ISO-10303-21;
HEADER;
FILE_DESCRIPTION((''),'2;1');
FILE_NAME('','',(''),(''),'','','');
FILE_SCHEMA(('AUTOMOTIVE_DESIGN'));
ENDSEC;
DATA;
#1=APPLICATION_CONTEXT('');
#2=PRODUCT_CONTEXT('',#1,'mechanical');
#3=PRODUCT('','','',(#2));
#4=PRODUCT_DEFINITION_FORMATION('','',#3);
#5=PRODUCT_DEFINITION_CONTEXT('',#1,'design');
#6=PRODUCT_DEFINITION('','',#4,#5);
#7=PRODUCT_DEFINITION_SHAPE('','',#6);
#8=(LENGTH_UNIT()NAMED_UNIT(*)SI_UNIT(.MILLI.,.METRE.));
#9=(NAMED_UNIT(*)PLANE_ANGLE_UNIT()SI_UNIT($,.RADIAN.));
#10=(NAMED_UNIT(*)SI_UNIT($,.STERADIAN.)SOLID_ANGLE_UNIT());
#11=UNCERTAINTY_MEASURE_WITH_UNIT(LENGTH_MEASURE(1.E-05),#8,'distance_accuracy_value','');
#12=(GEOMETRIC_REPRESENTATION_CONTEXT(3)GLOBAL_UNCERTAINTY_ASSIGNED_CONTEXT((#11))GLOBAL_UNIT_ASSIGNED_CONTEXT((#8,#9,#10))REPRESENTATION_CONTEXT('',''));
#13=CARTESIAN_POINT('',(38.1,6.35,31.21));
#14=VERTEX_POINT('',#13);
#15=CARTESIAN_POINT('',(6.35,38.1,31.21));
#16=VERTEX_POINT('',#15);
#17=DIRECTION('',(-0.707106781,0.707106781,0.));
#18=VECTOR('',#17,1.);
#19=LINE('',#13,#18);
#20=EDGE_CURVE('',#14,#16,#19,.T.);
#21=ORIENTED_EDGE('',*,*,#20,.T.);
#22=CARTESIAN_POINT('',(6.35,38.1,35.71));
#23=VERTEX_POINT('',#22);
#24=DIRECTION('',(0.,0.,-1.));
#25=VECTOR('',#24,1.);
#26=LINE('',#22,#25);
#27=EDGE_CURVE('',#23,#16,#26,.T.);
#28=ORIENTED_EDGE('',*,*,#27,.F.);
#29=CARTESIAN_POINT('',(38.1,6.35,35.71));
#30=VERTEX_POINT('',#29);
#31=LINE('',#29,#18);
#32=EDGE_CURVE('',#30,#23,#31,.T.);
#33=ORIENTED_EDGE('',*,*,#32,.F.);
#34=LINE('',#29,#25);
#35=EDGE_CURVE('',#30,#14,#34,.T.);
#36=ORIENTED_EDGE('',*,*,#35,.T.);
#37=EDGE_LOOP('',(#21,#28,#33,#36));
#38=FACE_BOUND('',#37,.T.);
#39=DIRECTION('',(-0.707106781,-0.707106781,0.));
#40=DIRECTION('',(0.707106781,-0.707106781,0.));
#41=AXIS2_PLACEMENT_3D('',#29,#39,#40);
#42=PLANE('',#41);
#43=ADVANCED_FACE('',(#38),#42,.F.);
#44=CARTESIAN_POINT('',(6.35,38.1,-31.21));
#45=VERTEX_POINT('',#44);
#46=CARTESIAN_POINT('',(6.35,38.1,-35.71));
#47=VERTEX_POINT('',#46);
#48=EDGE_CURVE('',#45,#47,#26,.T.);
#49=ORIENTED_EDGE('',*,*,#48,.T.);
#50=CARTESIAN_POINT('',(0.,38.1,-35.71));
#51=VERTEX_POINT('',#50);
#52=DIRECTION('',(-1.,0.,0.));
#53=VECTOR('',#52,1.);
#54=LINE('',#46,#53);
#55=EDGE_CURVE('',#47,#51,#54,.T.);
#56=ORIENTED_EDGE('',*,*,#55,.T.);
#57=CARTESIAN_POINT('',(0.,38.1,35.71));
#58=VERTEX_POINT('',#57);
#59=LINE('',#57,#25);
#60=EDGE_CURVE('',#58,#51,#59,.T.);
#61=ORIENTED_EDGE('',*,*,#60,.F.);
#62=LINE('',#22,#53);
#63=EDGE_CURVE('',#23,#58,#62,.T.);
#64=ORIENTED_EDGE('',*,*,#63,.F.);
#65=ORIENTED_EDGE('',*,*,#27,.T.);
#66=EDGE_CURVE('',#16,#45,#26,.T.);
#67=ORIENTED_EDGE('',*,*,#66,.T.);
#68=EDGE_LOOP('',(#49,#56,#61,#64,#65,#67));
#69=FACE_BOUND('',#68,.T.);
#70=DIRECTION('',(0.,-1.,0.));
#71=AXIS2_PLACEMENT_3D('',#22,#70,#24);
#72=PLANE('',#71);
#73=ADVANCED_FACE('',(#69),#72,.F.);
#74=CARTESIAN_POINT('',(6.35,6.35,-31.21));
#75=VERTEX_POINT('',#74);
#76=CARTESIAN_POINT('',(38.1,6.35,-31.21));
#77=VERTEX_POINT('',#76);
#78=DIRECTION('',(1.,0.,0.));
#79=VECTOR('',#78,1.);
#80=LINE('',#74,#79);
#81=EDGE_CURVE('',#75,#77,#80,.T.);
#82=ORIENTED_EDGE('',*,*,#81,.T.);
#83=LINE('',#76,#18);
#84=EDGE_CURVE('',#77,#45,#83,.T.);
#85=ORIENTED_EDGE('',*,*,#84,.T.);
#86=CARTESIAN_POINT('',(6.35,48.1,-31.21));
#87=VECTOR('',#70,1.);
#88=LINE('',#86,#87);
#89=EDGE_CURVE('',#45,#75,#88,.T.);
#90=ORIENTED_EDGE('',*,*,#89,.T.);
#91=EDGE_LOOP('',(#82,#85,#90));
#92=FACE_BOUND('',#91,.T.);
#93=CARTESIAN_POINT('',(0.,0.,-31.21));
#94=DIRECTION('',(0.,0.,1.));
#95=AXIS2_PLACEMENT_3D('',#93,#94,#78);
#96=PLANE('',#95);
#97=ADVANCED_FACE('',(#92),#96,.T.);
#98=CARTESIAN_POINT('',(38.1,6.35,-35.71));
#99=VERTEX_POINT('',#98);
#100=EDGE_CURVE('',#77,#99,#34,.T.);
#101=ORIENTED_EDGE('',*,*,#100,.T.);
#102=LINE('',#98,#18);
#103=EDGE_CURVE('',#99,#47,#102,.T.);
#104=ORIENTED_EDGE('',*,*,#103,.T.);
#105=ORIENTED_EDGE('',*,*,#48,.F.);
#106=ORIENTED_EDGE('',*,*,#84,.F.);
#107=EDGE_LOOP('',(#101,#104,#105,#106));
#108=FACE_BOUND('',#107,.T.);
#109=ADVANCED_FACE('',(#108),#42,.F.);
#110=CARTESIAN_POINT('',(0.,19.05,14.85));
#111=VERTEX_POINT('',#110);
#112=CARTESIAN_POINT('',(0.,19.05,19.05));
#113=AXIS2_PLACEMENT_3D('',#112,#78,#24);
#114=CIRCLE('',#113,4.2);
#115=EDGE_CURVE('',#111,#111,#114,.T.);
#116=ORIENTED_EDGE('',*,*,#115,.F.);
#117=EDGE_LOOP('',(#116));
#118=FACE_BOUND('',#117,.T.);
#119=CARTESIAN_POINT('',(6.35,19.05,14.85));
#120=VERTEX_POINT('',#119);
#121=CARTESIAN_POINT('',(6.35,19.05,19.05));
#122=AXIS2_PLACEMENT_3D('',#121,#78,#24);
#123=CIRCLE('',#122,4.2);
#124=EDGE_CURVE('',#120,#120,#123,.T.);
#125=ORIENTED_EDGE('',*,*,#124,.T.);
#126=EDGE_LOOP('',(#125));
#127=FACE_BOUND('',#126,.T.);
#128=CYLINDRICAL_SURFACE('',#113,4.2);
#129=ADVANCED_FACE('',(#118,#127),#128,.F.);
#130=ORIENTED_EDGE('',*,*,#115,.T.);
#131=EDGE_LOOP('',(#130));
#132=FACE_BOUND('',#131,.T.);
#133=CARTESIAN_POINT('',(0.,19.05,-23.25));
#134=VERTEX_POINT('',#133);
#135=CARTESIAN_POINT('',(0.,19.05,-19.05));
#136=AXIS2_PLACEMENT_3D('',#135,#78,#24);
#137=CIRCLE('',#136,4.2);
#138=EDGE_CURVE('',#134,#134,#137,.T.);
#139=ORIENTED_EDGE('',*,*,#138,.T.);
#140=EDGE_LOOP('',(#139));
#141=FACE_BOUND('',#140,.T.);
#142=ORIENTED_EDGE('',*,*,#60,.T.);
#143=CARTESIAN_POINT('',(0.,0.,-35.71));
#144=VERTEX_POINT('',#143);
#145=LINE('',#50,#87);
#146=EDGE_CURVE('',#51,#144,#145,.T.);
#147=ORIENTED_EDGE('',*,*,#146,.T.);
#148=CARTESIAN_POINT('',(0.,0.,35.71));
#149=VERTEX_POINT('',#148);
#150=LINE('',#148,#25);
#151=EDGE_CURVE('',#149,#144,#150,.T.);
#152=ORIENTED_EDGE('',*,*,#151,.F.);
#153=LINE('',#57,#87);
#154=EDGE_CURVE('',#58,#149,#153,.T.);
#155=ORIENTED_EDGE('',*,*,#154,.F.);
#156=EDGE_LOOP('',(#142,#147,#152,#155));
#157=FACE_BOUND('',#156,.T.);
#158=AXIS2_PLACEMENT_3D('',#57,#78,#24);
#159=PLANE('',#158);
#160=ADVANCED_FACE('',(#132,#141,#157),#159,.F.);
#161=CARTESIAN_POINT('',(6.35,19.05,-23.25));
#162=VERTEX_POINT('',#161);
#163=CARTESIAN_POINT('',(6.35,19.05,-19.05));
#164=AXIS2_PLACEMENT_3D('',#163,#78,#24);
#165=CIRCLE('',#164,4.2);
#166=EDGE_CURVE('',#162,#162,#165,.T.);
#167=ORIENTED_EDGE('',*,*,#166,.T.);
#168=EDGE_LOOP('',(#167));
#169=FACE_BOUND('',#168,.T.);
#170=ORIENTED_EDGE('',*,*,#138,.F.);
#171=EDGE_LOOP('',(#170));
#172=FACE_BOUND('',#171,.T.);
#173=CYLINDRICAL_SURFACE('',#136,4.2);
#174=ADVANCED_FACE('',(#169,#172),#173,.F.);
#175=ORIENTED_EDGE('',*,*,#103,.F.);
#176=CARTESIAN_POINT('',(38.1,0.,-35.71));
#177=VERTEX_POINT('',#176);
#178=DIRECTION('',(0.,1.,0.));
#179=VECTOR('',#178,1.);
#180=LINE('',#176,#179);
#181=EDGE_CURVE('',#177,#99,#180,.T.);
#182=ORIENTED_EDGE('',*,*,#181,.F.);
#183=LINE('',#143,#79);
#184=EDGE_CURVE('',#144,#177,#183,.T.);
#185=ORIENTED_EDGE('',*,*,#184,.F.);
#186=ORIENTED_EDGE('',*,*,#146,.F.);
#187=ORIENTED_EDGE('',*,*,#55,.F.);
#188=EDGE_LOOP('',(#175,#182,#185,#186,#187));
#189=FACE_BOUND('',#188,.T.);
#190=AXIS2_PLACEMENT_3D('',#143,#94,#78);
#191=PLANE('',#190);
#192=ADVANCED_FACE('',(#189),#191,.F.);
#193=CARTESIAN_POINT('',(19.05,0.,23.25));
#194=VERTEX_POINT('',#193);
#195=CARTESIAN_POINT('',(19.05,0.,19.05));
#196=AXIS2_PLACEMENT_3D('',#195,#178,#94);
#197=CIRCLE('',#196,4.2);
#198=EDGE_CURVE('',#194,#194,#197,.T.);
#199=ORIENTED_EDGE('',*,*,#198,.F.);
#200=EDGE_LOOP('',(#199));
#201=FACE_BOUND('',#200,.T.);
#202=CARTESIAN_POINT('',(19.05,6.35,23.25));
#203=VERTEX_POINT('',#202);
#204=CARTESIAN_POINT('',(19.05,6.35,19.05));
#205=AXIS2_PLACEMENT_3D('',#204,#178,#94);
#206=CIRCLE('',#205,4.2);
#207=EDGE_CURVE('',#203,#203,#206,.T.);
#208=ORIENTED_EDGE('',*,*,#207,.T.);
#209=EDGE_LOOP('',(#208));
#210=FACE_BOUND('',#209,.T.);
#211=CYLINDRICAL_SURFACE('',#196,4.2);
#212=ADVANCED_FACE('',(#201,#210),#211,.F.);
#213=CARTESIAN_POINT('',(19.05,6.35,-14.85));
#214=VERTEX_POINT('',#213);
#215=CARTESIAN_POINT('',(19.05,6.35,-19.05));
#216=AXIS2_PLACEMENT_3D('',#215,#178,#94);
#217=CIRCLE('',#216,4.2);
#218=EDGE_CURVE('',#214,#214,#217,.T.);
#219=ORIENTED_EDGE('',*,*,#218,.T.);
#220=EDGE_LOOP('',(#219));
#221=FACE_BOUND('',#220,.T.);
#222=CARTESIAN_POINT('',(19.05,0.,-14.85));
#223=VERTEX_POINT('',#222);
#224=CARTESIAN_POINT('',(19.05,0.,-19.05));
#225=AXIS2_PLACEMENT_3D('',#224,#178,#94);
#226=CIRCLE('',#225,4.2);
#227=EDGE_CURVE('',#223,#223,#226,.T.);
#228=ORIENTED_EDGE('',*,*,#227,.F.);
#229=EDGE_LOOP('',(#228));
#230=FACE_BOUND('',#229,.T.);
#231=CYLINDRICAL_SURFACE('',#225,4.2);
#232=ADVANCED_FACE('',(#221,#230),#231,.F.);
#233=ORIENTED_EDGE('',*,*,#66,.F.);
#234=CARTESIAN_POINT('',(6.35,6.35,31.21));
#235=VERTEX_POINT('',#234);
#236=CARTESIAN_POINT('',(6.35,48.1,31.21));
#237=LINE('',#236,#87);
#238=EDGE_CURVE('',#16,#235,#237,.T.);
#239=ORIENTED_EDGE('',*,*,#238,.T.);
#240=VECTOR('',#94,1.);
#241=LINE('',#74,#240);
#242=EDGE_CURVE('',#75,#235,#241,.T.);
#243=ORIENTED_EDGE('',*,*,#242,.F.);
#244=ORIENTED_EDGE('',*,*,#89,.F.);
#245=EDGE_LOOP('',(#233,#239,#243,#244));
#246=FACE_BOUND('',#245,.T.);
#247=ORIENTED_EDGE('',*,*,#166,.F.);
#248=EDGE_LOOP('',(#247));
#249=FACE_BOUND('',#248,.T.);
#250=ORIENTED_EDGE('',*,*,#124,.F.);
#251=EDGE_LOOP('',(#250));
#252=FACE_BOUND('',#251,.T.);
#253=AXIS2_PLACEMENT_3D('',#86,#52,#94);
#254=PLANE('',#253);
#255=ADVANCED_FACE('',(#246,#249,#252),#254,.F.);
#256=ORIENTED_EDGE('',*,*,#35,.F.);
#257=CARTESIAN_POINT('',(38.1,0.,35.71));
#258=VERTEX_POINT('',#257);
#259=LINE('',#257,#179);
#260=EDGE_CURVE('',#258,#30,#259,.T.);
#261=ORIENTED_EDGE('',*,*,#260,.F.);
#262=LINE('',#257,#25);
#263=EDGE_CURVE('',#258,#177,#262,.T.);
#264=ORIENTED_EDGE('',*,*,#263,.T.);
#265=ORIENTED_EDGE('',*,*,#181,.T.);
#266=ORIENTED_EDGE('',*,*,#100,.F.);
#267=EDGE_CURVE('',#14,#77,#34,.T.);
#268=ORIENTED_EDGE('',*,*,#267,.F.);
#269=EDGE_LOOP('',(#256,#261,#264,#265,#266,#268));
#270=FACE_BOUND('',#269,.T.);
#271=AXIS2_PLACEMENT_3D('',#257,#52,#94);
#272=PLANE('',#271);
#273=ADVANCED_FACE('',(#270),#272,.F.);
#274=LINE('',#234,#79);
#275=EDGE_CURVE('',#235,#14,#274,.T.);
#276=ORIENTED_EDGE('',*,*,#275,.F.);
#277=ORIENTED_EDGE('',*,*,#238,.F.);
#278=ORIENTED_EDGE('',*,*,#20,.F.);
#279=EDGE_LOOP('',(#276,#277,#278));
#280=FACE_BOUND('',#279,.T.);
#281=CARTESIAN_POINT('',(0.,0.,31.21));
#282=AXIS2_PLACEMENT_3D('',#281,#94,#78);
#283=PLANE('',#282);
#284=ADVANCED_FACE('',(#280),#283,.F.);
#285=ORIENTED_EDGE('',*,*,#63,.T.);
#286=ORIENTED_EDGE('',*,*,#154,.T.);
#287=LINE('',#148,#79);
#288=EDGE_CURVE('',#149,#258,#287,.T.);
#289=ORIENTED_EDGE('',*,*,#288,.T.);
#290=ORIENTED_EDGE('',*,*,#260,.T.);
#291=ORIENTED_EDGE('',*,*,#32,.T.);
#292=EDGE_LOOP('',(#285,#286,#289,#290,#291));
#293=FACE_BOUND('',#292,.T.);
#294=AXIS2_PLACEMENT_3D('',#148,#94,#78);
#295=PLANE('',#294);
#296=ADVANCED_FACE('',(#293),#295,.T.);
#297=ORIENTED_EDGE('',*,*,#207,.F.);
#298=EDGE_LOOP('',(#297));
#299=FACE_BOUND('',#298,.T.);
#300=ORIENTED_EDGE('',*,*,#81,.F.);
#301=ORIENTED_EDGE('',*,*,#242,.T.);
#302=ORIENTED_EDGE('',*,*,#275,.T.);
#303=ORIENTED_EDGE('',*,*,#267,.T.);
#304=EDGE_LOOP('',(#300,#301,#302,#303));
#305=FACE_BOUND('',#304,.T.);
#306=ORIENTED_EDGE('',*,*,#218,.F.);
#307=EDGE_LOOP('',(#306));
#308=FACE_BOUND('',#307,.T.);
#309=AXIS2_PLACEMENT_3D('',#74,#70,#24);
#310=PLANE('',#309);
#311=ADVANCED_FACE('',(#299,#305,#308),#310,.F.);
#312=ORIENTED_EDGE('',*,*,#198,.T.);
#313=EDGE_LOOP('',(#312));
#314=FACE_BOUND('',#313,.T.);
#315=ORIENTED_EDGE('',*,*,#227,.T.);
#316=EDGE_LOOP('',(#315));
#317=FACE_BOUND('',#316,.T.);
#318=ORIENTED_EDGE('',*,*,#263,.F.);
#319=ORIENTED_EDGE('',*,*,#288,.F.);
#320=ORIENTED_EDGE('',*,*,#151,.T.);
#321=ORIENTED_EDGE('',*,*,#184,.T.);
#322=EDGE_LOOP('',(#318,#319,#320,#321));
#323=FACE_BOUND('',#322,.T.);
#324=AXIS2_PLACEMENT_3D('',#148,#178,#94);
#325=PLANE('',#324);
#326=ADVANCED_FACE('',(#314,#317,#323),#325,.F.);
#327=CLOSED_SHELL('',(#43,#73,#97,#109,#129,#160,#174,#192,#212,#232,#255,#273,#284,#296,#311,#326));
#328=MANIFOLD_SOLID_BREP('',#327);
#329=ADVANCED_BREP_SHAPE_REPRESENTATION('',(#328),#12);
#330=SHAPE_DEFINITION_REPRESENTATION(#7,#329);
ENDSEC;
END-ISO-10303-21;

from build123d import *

# Parameters (mm, degrees)
BODY_DEPTH   = 71.42
POCKET_DEPTH = 62.42
SKETCH3_R    = 4.2
HOLESX_DEPTH = 6.35
SKETCH4_R    = 4.2
HOLESY_DEPTH = 6.35


with BuildPart() as part:
    # Sketch1 → Body (new body)
    with BuildSketch(Plane.XY.offset(-35.71)):
        Polygon((0, 0), (38.1, 0), (38.1, 6.35), (6.35, 38.1), (0, 38.1), align=None)
    extrude(amount=BODY_DEPTH)

    # Sketch2 → Pocket (cut)
    with BuildSketch(Plane.XY.offset(31.21)):
        Polygon((6.35, 6.35), (48.1, 6.35), (6.35, 48.1), align=None)
    extrude(amount=-POCKET_DEPTH, mode=Mode.SUBTRACT)

    # Sketch3 → HolesX (cut)
    with BuildSketch(Plane(origin=(0, 6.35, 0), x_dir=(1, 0, 0), z_dir=(0, 1, 0))):
        with Locations(Location((19.05, 19.05, 0), (0, 0, 270))):
            Circle(SKETCH3_R)
        with Locations(Location((19.05, -19.05, 0), (0, 0, 270))):
            Circle(SKETCH3_R)
    extrude(amount=-HOLESX_DEPTH, mode=Mode.SUBTRACT)

    # Sketch4 → HolesY (cut)
    with BuildSketch(Plane(origin=(6.35, 0, 0), x_dir=(0, 0, -1), z_dir=(1, 0, 0))):
        with Locations((19.05, 19.05)):
            Circle(SKETCH4_R)
        with Locations((-19.05, 19.05)):
            Circle(SKETCH4_R)
    extrude(amount=-HOLESY_DEPTH, mode=Mode.SUBTRACT)


solid = part.part
